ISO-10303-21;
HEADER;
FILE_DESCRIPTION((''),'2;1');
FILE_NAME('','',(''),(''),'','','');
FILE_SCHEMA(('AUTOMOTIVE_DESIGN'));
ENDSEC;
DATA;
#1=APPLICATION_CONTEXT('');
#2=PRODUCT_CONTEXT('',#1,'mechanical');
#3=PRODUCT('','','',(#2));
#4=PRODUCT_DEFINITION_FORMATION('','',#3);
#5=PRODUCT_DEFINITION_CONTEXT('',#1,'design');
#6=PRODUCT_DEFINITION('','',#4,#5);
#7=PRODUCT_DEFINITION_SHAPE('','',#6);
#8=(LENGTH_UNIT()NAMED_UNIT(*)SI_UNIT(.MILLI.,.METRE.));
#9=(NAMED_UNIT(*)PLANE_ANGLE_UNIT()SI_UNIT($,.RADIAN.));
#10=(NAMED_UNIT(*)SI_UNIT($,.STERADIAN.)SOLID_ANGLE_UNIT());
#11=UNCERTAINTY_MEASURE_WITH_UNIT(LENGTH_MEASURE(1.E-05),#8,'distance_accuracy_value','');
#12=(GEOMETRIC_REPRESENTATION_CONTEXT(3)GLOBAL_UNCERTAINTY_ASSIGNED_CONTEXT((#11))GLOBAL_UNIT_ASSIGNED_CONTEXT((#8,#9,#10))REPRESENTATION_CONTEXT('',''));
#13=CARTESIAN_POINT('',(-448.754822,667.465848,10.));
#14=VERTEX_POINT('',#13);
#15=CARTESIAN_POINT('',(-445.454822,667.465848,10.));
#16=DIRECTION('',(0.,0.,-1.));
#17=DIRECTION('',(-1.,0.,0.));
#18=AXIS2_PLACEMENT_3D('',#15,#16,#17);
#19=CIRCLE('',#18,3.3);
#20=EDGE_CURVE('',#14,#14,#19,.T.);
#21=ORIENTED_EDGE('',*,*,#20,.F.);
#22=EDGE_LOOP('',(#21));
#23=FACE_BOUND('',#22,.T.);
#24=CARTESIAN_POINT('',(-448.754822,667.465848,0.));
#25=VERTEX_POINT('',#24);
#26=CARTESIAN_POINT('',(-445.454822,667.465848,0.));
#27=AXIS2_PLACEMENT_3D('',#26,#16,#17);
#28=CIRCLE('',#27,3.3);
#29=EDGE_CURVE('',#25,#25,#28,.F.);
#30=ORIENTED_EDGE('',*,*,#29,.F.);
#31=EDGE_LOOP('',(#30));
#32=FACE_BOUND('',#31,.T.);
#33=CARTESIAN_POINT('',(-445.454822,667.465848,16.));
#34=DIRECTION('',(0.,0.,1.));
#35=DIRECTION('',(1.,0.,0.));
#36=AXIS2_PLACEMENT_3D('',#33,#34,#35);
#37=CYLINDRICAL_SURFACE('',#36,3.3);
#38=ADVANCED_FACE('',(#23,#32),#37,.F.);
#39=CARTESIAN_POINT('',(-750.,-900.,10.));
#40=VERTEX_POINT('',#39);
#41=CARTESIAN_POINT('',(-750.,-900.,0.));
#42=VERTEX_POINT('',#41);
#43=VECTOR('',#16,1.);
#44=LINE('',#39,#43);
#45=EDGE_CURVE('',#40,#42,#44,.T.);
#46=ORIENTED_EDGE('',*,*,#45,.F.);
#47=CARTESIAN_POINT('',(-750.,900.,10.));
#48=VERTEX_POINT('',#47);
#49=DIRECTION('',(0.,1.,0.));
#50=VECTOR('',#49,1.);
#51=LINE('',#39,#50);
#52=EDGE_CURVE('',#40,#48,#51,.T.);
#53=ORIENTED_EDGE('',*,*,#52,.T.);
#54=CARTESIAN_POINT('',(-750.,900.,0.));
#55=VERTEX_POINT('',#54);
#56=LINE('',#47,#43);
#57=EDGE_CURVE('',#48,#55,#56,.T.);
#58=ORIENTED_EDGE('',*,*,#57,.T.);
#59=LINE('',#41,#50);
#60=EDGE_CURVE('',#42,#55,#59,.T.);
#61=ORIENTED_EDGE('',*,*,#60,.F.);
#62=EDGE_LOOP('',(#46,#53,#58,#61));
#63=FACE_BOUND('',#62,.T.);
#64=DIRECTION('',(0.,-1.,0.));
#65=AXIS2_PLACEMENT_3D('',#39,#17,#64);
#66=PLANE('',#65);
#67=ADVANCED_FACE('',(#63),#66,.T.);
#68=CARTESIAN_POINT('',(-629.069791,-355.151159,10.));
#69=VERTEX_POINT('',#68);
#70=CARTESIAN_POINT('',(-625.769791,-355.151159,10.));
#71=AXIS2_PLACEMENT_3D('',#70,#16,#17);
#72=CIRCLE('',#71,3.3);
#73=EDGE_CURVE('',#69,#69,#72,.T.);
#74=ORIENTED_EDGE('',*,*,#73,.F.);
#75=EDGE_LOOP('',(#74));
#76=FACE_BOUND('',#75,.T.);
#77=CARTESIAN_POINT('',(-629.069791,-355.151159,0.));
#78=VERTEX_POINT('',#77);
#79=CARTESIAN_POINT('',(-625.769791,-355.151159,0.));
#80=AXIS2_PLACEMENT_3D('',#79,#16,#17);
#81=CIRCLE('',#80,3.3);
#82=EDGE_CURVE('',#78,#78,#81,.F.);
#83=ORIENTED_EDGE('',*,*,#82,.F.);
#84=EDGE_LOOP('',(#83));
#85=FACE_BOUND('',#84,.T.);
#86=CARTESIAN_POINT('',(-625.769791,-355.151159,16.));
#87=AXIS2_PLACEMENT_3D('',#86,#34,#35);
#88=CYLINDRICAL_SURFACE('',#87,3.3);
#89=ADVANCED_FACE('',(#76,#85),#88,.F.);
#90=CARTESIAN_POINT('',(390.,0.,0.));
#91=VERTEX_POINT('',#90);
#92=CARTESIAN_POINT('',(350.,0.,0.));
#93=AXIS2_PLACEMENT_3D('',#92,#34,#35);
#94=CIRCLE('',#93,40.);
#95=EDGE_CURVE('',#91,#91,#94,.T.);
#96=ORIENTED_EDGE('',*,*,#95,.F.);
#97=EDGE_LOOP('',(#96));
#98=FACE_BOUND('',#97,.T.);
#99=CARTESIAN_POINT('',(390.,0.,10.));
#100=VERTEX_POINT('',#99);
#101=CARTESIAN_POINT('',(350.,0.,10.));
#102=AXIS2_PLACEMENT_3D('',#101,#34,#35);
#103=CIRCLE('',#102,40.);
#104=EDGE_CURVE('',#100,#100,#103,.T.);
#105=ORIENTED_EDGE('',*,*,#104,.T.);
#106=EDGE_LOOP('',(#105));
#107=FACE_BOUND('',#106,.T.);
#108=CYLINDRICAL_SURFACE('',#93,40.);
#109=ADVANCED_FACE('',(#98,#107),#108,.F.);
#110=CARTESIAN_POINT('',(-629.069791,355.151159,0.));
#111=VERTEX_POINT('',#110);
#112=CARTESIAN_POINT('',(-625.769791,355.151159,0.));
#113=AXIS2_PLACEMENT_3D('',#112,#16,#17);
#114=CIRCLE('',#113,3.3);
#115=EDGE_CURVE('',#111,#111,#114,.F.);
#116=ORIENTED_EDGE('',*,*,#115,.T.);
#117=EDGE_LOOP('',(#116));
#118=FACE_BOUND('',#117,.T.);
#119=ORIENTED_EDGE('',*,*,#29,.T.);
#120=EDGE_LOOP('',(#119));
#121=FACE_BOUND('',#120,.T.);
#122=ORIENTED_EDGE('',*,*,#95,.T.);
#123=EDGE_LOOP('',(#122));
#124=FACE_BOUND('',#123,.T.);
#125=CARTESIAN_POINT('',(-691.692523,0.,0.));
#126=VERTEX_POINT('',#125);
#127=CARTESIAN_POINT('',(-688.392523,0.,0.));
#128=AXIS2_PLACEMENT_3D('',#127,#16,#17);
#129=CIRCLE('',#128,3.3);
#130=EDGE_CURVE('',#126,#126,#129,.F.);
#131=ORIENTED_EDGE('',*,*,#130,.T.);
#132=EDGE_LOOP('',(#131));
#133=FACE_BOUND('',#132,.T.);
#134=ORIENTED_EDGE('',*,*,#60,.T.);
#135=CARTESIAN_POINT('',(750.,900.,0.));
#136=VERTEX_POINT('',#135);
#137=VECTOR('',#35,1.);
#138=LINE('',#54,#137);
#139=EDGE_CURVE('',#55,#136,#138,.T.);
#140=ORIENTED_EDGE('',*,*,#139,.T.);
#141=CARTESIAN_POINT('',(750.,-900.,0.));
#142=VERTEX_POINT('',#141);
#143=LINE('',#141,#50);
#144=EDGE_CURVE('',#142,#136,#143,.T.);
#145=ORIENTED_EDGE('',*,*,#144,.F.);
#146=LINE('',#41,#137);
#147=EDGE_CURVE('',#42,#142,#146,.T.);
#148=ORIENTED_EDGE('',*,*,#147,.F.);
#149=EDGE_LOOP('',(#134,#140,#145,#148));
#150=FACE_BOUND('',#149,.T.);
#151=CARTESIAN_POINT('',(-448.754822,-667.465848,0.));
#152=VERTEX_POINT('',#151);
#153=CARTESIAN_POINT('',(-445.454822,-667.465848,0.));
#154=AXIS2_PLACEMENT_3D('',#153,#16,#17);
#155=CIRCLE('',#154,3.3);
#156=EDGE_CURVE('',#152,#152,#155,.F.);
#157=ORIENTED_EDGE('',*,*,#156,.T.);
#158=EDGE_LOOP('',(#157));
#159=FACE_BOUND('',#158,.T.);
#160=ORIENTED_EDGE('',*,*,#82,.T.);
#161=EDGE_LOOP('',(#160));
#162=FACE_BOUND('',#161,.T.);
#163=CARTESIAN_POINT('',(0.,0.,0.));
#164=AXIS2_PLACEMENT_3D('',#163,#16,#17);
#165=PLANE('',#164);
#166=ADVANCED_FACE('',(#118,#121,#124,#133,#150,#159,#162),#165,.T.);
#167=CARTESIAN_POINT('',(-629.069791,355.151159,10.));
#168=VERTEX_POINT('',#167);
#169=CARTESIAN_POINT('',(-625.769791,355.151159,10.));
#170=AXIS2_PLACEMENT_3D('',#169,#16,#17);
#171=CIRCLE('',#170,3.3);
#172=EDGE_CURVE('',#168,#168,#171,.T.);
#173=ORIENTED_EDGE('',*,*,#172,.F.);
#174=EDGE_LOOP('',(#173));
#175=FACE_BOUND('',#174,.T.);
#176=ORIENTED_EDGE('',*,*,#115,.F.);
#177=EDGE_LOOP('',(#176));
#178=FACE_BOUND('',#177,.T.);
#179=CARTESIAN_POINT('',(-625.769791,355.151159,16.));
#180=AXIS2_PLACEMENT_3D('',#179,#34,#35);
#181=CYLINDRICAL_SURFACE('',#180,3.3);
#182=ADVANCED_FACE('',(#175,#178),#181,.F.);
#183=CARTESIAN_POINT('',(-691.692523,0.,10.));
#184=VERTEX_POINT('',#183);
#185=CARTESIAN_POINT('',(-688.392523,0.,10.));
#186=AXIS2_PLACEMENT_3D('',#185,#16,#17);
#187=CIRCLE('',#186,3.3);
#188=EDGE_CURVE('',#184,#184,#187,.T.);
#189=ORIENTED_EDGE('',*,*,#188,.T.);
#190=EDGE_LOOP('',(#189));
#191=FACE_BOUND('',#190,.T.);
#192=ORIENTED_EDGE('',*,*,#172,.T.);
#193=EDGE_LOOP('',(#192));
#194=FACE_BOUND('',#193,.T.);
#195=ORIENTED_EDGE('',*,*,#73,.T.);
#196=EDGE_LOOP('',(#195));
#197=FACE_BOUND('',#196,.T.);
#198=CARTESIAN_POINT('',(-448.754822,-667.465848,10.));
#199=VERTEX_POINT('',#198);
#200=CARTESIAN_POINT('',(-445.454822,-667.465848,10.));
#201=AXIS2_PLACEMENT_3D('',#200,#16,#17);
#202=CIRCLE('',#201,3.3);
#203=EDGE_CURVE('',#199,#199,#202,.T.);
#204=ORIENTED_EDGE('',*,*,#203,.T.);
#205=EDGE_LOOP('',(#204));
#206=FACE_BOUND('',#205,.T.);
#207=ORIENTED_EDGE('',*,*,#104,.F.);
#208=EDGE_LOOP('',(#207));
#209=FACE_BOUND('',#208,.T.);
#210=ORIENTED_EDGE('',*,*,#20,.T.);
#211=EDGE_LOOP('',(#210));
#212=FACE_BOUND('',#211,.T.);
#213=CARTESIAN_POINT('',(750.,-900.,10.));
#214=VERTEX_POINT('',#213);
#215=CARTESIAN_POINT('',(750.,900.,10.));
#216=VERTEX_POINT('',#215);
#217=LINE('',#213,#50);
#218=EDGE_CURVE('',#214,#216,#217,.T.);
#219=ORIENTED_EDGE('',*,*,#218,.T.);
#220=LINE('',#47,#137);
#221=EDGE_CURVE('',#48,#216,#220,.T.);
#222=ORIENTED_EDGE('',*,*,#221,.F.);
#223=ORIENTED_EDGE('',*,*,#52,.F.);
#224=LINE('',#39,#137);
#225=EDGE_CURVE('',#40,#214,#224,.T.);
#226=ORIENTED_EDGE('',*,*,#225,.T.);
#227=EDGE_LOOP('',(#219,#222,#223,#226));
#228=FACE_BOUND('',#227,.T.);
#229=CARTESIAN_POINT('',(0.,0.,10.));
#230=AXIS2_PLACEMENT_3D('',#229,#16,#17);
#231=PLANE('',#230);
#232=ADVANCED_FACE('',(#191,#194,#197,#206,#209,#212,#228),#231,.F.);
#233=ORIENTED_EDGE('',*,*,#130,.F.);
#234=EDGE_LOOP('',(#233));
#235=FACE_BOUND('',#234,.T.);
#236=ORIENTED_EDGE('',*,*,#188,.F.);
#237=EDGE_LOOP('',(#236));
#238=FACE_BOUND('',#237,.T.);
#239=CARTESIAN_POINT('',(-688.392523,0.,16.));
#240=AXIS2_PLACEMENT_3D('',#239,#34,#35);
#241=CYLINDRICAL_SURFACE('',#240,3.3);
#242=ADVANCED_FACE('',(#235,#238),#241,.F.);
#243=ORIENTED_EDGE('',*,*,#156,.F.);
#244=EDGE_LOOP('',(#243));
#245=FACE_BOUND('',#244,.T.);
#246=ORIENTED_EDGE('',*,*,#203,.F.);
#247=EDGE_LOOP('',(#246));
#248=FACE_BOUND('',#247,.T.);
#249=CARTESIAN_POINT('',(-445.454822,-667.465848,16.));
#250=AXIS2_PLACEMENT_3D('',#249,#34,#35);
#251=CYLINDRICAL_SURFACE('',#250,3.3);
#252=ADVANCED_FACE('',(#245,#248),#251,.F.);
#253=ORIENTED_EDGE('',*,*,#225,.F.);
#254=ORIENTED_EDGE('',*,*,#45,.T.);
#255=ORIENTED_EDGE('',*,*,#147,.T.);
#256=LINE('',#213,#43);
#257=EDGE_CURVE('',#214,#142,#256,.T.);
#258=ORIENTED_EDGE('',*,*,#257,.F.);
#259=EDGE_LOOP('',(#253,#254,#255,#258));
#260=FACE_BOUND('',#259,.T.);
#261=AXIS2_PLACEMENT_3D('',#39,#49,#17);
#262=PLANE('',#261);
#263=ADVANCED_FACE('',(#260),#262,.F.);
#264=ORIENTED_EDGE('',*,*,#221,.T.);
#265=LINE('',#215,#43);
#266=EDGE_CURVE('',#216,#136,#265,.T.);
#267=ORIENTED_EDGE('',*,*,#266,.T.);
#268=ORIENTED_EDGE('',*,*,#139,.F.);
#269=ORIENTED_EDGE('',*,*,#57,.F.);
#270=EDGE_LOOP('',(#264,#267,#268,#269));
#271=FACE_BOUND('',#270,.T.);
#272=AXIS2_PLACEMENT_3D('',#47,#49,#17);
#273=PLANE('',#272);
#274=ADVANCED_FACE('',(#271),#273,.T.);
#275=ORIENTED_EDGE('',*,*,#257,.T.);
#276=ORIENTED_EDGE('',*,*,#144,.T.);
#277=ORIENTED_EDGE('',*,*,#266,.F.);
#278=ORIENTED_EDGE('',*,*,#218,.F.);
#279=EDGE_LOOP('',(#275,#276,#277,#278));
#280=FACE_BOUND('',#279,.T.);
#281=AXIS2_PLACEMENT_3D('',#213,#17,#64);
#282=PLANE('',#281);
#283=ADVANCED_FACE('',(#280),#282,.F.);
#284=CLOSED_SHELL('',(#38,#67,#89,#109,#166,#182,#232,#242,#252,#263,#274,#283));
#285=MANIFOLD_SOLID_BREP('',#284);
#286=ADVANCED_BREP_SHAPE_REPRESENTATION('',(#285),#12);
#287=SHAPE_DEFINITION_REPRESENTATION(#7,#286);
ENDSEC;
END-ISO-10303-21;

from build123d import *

# Parameters (mm, degrees)
ESBO_O1_W                = 1500
ESBO_O1_H                = 1800
RESSALTO_EXTRUS_O1_DEPTH = 10
ESBO_O2_R                = 40
CORTE_EXTRUS_O1_DEPTH    = 11
FURO_COM_FOLGA_DE_M61_D  = 6.6


with BuildPart() as part:
    # Esboço1 → Ressalto-extrusão1 (new body)
    with BuildSketch(Plane.XY):
        Rectangle(ESBO_O1_W, ESBO_O1_H)
    extrude(amount=RESSALTO_EXTRUS_O1_DEPTH)

    # Esboço2 → Corte-extrusão1 (cut, through all)
    with BuildSketch(Plane.XY.offset(10)):
        with Locations((350, 0)):
            Circle(ESBO_O2_R)
    extrude(amount=-CORTE_EXTRUS_O1_DEPTH, mode=Mode.SUBTRACT)

    # Furo com folga de M61 (through all)
    with Locations(Plane(origin=(350, 0, 16), x_dir=(0, 1, 0), z_dir=(0, 0, 1))):
        with Locations((0, 1038.39252282), (355.151159483, 975.769791173), (667.46584766, 795.454821883), (-355.151159483, 975.769791173), (-667.46584766, 795.454821883)):
            Hole(FURO_COM_FOLGA_DE_M61_D / 2)


solid = part.part
